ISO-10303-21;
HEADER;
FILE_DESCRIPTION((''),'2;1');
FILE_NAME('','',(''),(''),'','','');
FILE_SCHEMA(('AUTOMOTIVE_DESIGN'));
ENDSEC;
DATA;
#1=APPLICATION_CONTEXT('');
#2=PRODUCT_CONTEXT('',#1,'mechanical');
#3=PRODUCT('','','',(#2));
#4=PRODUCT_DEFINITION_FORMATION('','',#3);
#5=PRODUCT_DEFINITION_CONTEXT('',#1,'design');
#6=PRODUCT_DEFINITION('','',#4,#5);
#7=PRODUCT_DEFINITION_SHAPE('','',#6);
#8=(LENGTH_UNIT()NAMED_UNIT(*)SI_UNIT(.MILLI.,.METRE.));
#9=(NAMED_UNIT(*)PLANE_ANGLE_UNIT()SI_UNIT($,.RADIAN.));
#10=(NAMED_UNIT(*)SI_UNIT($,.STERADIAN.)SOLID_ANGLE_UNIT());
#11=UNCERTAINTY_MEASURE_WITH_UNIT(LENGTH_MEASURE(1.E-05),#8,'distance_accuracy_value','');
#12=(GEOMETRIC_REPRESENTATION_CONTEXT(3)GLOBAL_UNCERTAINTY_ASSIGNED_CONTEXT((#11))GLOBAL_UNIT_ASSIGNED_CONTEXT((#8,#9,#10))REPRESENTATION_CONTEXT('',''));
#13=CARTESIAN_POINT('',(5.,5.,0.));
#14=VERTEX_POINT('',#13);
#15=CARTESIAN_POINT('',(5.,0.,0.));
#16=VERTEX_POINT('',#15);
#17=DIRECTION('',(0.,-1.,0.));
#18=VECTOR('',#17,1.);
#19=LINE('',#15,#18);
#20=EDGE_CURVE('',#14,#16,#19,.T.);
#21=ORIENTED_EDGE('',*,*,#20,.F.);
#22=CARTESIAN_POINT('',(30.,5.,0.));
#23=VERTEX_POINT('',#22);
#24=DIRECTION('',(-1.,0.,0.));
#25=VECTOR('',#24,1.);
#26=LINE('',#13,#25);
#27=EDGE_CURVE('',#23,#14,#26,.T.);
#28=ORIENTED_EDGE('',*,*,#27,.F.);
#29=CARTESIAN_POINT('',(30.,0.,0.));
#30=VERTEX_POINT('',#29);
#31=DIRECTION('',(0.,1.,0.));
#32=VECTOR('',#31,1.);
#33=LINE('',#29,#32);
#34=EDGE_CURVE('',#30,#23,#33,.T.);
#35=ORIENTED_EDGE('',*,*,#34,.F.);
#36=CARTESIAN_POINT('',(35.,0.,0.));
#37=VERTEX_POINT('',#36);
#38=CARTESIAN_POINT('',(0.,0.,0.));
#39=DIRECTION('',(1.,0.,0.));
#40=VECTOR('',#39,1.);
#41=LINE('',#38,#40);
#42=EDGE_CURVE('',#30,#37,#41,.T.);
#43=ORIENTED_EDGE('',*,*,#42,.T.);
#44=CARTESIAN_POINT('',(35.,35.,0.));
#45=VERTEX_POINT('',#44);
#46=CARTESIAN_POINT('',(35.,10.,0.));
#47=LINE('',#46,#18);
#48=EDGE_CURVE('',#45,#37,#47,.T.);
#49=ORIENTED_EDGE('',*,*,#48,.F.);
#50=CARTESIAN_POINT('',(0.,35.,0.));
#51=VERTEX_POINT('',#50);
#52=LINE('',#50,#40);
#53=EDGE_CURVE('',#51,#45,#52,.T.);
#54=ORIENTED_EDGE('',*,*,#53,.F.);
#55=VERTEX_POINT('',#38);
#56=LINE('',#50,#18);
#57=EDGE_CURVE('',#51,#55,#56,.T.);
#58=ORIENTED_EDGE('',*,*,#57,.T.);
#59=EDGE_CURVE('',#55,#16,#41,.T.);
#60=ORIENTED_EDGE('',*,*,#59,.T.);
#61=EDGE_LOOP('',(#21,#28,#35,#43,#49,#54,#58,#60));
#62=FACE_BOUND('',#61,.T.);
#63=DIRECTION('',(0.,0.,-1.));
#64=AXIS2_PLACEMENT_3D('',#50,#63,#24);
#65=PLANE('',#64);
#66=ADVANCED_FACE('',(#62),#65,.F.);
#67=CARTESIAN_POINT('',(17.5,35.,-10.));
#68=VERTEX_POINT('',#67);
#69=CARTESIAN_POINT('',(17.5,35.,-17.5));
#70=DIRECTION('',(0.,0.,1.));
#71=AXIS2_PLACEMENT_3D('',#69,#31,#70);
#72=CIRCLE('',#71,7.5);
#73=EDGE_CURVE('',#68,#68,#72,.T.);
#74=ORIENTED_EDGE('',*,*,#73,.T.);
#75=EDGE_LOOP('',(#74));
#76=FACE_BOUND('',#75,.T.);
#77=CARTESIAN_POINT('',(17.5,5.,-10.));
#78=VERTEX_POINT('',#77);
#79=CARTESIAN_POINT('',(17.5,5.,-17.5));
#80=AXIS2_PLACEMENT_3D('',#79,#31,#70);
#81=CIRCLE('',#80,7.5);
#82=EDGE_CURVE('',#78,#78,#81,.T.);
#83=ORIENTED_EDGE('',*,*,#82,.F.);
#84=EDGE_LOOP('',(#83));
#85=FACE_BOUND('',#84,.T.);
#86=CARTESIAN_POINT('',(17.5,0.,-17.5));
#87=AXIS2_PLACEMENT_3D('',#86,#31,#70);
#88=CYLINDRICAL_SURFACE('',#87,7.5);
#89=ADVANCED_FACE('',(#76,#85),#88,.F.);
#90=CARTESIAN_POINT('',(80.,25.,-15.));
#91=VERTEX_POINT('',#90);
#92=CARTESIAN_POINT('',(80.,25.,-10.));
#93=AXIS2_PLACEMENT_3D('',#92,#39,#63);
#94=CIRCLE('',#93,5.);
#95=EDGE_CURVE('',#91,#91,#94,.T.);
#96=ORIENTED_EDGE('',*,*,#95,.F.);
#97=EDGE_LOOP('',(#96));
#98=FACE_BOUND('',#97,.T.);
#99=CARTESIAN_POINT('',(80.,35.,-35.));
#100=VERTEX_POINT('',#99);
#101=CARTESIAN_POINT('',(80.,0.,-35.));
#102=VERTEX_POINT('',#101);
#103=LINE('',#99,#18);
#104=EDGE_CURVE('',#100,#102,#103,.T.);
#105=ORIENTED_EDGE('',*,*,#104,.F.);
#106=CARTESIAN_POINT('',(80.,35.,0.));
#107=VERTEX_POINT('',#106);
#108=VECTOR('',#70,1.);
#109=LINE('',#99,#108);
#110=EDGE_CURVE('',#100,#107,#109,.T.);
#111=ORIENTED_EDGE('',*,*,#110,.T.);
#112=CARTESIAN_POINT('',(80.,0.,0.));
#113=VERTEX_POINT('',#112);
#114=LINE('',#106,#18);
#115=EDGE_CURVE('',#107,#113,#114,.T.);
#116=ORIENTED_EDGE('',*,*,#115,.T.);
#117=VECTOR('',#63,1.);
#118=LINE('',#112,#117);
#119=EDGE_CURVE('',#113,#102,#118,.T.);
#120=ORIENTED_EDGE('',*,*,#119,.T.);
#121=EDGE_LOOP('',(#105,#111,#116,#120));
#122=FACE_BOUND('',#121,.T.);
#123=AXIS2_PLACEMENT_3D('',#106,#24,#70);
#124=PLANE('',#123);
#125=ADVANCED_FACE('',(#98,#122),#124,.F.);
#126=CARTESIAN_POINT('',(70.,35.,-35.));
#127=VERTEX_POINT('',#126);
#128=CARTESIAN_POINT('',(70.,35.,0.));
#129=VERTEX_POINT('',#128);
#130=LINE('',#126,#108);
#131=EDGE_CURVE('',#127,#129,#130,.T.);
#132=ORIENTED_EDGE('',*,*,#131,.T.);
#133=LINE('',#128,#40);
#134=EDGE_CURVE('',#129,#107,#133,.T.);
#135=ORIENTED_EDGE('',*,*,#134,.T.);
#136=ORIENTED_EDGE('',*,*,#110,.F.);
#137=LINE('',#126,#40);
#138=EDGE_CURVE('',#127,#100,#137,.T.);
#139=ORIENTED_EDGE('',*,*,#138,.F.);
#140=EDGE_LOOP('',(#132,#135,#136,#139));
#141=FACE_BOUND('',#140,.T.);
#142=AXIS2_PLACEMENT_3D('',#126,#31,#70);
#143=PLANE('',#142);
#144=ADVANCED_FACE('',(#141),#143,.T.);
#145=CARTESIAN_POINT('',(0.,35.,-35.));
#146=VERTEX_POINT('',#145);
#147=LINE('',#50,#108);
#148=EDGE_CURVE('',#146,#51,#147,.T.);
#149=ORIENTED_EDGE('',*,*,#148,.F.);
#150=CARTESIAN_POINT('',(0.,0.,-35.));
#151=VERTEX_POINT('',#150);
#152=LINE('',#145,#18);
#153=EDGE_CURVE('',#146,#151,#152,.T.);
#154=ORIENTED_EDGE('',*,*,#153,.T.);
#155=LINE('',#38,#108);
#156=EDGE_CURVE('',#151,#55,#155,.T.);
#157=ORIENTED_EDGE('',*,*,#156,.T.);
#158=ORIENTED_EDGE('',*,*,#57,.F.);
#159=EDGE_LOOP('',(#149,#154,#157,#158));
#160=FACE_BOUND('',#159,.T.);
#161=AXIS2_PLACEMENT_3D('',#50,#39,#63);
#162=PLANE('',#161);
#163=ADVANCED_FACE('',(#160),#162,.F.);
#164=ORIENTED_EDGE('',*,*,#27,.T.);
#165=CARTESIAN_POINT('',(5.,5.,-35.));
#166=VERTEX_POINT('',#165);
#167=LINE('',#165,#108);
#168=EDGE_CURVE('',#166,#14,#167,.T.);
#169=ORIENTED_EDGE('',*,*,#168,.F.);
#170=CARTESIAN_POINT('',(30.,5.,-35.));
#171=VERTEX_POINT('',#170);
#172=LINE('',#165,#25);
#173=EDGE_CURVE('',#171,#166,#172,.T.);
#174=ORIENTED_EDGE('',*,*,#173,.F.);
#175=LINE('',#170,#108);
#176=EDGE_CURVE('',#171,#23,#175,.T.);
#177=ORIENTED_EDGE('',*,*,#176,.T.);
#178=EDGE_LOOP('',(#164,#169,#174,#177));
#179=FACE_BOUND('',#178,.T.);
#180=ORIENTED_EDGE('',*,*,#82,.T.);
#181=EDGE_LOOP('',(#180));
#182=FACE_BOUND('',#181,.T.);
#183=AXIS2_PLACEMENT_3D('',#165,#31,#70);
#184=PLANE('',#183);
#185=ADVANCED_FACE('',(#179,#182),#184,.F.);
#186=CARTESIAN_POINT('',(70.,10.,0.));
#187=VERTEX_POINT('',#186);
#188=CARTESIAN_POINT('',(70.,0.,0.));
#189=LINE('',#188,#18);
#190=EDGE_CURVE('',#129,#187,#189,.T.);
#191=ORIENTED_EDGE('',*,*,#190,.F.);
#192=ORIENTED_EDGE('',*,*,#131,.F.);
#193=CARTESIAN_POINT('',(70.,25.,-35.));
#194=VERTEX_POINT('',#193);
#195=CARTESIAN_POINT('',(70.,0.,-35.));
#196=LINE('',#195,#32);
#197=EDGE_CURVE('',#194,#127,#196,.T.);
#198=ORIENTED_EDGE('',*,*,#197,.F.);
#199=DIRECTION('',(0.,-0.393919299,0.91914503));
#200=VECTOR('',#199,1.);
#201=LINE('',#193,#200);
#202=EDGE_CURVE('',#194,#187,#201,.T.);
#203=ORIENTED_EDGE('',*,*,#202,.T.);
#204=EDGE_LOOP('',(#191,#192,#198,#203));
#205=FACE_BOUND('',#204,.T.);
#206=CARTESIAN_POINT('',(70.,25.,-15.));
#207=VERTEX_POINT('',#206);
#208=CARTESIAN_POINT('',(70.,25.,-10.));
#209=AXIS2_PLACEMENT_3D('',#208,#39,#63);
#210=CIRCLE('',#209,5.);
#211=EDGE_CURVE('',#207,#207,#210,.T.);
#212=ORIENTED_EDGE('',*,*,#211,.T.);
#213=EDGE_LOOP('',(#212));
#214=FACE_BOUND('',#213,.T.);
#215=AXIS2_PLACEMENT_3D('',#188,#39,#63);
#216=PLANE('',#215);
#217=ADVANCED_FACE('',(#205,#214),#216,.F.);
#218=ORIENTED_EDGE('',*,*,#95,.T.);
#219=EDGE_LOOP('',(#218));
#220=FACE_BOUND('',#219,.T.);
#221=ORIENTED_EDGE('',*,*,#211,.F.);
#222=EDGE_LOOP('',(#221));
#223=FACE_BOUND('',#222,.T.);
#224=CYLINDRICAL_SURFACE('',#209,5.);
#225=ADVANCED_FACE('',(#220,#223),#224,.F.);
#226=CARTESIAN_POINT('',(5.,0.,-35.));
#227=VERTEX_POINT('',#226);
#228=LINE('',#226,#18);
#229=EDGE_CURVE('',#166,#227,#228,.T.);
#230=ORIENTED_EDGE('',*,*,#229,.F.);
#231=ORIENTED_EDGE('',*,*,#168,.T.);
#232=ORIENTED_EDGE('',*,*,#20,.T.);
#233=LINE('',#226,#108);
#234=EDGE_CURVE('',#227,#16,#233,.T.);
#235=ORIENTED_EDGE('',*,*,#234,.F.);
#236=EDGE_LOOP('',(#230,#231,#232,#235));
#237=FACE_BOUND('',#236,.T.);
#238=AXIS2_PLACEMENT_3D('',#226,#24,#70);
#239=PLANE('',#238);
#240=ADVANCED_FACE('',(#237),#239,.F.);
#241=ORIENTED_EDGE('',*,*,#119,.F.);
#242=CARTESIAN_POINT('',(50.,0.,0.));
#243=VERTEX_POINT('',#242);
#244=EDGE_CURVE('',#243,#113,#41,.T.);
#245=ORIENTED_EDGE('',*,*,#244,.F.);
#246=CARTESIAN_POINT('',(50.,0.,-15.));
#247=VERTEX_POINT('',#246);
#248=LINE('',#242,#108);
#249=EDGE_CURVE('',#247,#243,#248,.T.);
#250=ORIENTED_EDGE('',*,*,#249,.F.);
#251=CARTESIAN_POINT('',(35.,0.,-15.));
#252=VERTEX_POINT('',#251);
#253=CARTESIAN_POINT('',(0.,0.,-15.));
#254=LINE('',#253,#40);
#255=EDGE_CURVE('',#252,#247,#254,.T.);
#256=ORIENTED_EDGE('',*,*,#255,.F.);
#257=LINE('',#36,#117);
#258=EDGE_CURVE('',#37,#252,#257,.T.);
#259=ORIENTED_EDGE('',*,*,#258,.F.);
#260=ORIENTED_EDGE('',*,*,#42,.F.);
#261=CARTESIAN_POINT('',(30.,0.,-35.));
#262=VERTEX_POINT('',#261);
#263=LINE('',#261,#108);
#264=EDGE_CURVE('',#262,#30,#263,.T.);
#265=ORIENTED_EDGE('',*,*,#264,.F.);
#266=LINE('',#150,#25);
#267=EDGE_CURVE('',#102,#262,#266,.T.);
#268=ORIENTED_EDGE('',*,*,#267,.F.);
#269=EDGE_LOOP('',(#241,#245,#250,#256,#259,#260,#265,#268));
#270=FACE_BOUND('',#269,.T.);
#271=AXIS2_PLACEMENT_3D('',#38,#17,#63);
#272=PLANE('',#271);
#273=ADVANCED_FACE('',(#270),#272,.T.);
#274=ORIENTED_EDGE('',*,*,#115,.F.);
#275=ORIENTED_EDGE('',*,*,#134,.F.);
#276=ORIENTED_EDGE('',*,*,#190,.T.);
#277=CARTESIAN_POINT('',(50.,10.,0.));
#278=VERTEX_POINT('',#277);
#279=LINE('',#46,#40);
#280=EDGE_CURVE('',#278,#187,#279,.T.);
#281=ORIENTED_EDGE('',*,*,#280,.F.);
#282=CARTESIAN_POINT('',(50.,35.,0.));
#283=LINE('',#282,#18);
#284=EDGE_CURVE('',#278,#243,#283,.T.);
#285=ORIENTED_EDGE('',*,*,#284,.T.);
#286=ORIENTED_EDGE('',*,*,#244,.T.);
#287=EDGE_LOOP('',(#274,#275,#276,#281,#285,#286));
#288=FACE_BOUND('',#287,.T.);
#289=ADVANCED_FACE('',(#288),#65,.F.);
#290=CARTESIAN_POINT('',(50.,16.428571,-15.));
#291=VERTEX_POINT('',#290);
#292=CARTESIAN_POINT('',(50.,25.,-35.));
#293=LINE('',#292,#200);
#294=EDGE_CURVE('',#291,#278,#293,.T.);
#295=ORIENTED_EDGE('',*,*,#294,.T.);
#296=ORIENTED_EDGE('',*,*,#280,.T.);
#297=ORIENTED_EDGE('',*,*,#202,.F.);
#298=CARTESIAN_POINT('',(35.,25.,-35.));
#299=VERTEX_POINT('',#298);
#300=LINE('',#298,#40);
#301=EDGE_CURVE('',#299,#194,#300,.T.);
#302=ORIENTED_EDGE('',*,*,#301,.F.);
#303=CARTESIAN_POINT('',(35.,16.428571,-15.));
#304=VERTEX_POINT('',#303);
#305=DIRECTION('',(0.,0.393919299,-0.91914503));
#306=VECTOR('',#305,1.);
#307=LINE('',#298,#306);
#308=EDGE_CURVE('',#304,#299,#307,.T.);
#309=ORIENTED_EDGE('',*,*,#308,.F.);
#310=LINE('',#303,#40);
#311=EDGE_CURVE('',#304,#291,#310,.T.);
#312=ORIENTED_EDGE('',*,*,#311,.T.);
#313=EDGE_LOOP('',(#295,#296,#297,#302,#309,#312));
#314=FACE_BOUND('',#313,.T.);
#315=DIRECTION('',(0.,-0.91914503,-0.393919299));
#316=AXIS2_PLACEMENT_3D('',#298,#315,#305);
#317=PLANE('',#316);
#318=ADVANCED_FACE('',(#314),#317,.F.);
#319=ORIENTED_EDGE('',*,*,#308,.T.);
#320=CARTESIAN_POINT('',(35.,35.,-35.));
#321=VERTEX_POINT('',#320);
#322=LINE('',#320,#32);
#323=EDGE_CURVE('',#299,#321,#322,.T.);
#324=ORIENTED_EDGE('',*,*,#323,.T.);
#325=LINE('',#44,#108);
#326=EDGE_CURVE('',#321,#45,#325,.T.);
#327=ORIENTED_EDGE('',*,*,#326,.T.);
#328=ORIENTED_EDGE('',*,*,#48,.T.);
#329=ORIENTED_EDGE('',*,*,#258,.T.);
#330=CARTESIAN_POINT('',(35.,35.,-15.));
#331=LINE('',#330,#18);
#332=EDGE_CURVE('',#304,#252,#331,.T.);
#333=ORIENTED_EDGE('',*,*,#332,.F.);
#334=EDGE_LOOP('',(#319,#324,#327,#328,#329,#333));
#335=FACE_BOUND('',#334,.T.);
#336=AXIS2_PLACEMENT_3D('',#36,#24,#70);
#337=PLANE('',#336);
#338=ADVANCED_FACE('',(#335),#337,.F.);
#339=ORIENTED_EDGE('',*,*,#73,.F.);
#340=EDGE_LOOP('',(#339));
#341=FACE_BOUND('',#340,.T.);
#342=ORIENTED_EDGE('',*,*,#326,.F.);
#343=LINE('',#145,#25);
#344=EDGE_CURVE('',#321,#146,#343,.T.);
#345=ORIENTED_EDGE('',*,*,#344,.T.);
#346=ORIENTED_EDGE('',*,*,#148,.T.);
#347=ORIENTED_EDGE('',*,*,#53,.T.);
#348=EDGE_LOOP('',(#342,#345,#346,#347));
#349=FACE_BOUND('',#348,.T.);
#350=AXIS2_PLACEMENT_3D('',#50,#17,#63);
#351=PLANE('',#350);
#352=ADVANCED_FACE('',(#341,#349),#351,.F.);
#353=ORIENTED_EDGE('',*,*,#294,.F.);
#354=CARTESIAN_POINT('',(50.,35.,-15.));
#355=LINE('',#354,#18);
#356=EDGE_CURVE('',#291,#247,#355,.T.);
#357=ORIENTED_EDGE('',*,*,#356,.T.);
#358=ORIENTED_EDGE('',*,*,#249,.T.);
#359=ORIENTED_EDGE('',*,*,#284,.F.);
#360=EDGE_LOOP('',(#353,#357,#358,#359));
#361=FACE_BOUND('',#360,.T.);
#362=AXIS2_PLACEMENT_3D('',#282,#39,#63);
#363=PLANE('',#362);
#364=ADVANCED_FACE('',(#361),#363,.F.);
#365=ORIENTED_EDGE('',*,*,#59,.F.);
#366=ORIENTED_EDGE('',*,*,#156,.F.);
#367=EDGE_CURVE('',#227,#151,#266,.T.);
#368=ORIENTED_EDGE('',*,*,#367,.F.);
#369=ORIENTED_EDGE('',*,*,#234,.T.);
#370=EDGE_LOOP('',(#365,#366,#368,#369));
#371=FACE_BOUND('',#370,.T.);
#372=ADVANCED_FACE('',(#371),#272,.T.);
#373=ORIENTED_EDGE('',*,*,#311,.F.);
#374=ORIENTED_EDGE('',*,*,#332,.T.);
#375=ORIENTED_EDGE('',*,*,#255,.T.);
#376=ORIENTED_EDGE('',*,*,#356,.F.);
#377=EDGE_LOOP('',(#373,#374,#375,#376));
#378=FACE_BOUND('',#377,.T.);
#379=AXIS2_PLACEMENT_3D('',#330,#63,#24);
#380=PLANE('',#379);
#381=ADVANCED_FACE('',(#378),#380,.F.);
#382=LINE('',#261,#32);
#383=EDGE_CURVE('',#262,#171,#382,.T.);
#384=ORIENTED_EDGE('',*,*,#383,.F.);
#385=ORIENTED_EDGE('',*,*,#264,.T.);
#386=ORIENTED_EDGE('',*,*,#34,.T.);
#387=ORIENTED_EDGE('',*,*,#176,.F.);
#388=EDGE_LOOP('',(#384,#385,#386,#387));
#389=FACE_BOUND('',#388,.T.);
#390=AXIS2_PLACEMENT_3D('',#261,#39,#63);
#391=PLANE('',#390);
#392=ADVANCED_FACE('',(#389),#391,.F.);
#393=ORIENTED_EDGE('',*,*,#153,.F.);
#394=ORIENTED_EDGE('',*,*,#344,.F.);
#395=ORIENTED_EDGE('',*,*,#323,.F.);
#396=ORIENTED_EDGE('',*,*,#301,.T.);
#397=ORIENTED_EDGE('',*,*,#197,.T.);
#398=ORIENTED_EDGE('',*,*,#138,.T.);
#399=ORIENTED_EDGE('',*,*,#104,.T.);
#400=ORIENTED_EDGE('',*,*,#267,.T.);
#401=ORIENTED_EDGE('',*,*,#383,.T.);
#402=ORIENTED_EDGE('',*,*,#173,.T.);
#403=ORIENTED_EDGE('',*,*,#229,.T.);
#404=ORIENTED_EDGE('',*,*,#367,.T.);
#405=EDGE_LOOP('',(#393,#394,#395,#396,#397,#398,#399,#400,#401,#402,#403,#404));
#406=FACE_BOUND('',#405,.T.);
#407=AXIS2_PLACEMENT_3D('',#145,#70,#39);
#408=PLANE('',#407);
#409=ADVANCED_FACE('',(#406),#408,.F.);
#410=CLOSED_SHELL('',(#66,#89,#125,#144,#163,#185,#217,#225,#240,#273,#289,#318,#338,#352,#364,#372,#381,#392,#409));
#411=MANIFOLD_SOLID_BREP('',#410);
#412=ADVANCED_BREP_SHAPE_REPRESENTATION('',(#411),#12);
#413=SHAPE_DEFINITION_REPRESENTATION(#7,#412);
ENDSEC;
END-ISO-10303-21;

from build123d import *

# Parameters (mm, degrees)
SKETCH1_W               = 80
SKETCH1_H               = 35
BOSS_EXTRUDE1_DEPTH     = 35
CUT_EXTRUDE1_DEPTH      = 45
SKETCH3_W               = 35
SKETCH3_H               = 35
BOSS_EXTRUDE2_DEPTH     = 10
SKETCH4_W               = 15
SKETCH4_H               = 15
CUT_EXTRUDE2_DEPTH      = 1
CUT_EXTRUDE2_DEPTH_BACK = 36
SKETCH5_R               = 5
CUT_EXTRUDE3_DEPTH      = 10
SKETCH6_W               = 25
SKETCH6_H               = 5
CUT_EXTRUDE4_DEPTH      = 36
SKETCH7_R               = 7.5
CUT_EXTRUDE5_DEPTH      = 36


with BuildPart() as part:
    # Sketch1 → Boss-Extrude1 (new body)
    with BuildSketch(Plane(origin=(0, 0, 0), x_dir=(1, 0, 0), z_dir=(0, 1, 0))):
        with Locations((40, 17.5)):
            Rectangle(SKETCH1_W, SKETCH1_H)
    extrude(amount=BOSS_EXTRUDE1_DEPTH)

    # Sketch2 → Cut-Extrude1 (cut)
    with BuildSketch(Plane(origin=(80, 0, 0), x_dir=(0, 0, -1), z_dir=(1, 0, 0))):
        Polygon((35, 35), (35, 25), (0, 10), (0, 35), align=None)
    extrude(amount=-CUT_EXTRUDE1_DEPTH, mode=Mode.SUBTRACT)

    # Sketch3 → Boss-Extrude2 (add)
    with BuildSketch(Plane(origin=(80, 0, 0), x_dir=(0, 0, -1), z_dir=(1, 0, 0))):
        with Locations((17.5, 17.5)):
            Rectangle(SKETCH3_W, SKETCH3_H)
    extrude(amount=-BOSS_EXTRUDE2_DEPTH)

    # Sketch4 → Cut-Extrude2 (cut, two sides)
    with BuildSketch(Plane(origin=(0, 0, 0), x_dir=(-1, 0, 0), z_dir=(0, -1, 0))) as cut_extrude2_sk:
        with Locations((-42.5, 7.5)):
            Rectangle(SKETCH4_W, SKETCH4_H)
    extrude(amount=CUT_EXTRUDE2_DEPTH, mode=Mode.SUBTRACT)
    extrude(cut_extrude2_sk.sketch, amount=-CUT_EXTRUDE2_DEPTH_BACK, mode=Mode.SUBTRACT)

    # Sketch5 → Cut-Extrude3 (cut)
    with BuildSketch(Plane(origin=(80, 0, 0), x_dir=(0, 0, -1), z_dir=(1, 0, 0))):
        with Locations((10, 25)):
            Circle(SKETCH5_R)
    extrude(amount=-CUT_EXTRUDE3_DEPTH, mode=Mode.SUBTRACT)

    # Sketch6 → Cut-Extrude4 (cut, through all)
    with BuildSketch(Plane.XY):
        with Locations((17.5, 2.5)):
            Rectangle(SKETCH6_W, SKETCH6_H)
    extrude(amount=-CUT_EXTRUDE4_DEPTH, mode=Mode.SUBTRACT)

    # Sketch7 → Cut-Extrude5 (cut, through all)
    with BuildSketch(Plane(origin=(0, 35, 0), x_dir=(1, 0, 0), z_dir=(0, 1, 0))):
        with Locations((17.5, 17.5)):
            Circle(SKETCH7_R)
    extrude(amount=-CUT_EXTRUDE5_DEPTH, mode=Mode.SUBTRACT)


solid = part.part
